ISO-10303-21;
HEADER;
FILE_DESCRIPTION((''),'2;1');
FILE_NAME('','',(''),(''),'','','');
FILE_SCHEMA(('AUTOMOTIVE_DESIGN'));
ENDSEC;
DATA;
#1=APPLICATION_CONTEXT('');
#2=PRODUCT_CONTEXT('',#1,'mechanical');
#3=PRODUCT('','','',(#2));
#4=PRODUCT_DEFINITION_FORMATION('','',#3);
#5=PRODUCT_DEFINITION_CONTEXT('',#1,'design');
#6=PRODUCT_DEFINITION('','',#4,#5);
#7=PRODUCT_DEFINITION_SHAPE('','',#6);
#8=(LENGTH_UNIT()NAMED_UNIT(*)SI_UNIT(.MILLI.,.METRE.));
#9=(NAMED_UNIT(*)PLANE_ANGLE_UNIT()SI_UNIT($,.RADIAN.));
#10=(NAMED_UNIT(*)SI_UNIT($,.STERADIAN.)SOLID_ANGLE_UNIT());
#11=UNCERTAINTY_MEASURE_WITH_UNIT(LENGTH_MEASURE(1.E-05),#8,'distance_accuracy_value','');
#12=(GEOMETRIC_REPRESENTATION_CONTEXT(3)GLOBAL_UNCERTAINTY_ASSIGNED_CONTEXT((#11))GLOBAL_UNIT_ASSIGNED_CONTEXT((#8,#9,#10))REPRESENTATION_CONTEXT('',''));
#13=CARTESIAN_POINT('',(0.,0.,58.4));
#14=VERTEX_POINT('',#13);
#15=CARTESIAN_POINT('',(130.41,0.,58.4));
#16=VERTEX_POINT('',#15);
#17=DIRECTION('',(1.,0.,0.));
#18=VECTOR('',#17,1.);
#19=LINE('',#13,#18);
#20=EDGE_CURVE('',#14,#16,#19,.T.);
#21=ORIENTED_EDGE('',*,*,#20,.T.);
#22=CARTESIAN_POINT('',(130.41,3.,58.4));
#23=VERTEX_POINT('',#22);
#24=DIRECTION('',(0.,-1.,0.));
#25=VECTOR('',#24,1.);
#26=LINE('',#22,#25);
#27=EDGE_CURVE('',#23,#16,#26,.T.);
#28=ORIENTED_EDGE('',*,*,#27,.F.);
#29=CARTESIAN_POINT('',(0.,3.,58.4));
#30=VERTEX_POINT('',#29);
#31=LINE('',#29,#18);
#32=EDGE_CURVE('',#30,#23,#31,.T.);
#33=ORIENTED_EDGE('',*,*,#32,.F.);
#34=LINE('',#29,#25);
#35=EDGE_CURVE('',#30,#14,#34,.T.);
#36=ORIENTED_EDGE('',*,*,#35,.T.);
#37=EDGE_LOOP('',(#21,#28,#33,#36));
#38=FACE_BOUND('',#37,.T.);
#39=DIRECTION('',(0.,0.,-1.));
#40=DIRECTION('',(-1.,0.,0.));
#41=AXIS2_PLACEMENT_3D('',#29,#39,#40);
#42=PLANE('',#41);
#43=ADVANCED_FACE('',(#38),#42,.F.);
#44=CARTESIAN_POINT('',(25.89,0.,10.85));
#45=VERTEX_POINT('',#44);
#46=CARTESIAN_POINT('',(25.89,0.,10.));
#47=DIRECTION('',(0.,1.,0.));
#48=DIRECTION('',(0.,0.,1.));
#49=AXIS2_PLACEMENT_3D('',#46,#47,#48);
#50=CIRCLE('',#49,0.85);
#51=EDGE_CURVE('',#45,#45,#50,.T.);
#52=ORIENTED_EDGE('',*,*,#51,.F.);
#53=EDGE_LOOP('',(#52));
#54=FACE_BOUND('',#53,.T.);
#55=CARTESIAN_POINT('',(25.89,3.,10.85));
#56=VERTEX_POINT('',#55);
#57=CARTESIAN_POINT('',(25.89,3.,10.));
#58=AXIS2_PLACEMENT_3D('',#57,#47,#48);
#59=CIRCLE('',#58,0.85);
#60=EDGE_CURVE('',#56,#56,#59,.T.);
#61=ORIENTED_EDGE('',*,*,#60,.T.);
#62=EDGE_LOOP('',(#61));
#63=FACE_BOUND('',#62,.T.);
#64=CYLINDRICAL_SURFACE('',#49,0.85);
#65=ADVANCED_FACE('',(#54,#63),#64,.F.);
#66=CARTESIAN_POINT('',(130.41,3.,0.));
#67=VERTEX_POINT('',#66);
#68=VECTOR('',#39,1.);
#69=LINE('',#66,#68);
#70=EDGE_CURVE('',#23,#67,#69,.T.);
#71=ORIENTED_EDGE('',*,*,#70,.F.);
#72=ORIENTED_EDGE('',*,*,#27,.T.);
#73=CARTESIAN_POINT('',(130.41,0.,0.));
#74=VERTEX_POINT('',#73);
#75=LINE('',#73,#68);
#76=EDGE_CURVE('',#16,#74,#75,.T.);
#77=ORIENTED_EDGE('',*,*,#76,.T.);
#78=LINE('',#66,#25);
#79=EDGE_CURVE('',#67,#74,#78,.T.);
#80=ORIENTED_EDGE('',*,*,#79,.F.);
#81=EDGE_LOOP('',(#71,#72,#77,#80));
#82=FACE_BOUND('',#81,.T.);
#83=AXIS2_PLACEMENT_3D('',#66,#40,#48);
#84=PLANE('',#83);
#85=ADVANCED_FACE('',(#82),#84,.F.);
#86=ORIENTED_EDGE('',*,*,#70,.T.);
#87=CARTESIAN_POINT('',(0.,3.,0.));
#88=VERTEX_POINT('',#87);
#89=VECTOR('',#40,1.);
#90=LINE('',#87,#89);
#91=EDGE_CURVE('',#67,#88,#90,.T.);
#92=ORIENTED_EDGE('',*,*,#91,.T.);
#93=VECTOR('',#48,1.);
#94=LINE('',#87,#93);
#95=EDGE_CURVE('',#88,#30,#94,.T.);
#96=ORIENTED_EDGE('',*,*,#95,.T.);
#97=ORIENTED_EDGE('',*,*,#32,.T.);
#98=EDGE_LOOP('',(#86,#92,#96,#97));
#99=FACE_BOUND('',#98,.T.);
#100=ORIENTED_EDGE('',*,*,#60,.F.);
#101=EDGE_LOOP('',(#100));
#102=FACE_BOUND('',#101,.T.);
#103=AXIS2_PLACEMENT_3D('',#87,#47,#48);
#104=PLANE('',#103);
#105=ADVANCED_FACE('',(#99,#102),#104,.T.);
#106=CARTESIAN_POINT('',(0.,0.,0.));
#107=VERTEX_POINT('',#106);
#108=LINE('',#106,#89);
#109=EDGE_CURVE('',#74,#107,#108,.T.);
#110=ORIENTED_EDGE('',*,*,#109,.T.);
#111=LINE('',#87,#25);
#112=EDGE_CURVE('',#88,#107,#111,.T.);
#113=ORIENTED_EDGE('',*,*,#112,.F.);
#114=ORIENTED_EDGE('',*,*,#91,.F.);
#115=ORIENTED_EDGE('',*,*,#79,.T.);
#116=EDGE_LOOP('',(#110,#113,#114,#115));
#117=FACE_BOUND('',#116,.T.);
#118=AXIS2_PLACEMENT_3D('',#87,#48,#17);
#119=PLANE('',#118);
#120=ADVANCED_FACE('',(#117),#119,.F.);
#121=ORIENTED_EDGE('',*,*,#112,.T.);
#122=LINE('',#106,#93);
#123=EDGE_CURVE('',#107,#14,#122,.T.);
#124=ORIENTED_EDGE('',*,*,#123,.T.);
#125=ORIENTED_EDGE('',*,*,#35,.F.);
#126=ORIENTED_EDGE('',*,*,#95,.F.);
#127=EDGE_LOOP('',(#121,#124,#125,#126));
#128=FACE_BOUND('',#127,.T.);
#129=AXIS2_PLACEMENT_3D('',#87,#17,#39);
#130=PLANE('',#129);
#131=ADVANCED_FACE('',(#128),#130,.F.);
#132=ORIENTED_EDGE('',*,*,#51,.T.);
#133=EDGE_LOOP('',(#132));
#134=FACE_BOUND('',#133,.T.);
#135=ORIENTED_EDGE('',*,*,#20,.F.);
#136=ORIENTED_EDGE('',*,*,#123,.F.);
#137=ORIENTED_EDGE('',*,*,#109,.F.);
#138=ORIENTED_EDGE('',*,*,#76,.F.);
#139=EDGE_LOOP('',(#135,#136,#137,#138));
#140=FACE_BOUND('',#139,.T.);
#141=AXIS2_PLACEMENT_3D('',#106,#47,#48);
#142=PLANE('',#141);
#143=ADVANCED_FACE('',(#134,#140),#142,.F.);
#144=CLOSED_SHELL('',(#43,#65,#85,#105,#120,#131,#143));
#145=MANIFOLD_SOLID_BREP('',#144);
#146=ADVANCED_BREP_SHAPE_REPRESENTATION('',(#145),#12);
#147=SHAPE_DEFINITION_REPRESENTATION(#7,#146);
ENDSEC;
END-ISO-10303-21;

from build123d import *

# Parameters (mm, degrees)
SKETCH1_W           = 130.41
SKETCH1_H           = 58.4
BOSS_EXTRUDE1_DEPTH = 3
SKETCH3_R           = 0.85
CUT_EXTRUDE1_DEPTH  = 143.920705638


with BuildPart() as part:
    # Sketch1 → Boss-Extrude1 (new body)
    with BuildSketch(Plane(origin=(0, 0, 0), x_dir=(1, 0, 0), z_dir=(0, 1, 0))):
        with Locations((65.205, -29.2)):
            Rectangle(SKETCH1_W, SKETCH1_H)
    extrude(amount=BOSS_EXTRUDE1_DEPTH)

    # Sketch3 → Cut-Extrude1 (cut, through all)
    with BuildSketch(Plane(origin=(0, 3, 0), x_dir=(1, 0, 0), z_dir=(0, 1, 0))):
        with Locations(Location((25.89, -10, 0), (0, 0, 270))):
            Circle(SKETCH3_R)
    extrude(amount=-CUT_EXTRUDE1_DEPTH, mode=Mode.SUBTRACT)


solid = part.part
